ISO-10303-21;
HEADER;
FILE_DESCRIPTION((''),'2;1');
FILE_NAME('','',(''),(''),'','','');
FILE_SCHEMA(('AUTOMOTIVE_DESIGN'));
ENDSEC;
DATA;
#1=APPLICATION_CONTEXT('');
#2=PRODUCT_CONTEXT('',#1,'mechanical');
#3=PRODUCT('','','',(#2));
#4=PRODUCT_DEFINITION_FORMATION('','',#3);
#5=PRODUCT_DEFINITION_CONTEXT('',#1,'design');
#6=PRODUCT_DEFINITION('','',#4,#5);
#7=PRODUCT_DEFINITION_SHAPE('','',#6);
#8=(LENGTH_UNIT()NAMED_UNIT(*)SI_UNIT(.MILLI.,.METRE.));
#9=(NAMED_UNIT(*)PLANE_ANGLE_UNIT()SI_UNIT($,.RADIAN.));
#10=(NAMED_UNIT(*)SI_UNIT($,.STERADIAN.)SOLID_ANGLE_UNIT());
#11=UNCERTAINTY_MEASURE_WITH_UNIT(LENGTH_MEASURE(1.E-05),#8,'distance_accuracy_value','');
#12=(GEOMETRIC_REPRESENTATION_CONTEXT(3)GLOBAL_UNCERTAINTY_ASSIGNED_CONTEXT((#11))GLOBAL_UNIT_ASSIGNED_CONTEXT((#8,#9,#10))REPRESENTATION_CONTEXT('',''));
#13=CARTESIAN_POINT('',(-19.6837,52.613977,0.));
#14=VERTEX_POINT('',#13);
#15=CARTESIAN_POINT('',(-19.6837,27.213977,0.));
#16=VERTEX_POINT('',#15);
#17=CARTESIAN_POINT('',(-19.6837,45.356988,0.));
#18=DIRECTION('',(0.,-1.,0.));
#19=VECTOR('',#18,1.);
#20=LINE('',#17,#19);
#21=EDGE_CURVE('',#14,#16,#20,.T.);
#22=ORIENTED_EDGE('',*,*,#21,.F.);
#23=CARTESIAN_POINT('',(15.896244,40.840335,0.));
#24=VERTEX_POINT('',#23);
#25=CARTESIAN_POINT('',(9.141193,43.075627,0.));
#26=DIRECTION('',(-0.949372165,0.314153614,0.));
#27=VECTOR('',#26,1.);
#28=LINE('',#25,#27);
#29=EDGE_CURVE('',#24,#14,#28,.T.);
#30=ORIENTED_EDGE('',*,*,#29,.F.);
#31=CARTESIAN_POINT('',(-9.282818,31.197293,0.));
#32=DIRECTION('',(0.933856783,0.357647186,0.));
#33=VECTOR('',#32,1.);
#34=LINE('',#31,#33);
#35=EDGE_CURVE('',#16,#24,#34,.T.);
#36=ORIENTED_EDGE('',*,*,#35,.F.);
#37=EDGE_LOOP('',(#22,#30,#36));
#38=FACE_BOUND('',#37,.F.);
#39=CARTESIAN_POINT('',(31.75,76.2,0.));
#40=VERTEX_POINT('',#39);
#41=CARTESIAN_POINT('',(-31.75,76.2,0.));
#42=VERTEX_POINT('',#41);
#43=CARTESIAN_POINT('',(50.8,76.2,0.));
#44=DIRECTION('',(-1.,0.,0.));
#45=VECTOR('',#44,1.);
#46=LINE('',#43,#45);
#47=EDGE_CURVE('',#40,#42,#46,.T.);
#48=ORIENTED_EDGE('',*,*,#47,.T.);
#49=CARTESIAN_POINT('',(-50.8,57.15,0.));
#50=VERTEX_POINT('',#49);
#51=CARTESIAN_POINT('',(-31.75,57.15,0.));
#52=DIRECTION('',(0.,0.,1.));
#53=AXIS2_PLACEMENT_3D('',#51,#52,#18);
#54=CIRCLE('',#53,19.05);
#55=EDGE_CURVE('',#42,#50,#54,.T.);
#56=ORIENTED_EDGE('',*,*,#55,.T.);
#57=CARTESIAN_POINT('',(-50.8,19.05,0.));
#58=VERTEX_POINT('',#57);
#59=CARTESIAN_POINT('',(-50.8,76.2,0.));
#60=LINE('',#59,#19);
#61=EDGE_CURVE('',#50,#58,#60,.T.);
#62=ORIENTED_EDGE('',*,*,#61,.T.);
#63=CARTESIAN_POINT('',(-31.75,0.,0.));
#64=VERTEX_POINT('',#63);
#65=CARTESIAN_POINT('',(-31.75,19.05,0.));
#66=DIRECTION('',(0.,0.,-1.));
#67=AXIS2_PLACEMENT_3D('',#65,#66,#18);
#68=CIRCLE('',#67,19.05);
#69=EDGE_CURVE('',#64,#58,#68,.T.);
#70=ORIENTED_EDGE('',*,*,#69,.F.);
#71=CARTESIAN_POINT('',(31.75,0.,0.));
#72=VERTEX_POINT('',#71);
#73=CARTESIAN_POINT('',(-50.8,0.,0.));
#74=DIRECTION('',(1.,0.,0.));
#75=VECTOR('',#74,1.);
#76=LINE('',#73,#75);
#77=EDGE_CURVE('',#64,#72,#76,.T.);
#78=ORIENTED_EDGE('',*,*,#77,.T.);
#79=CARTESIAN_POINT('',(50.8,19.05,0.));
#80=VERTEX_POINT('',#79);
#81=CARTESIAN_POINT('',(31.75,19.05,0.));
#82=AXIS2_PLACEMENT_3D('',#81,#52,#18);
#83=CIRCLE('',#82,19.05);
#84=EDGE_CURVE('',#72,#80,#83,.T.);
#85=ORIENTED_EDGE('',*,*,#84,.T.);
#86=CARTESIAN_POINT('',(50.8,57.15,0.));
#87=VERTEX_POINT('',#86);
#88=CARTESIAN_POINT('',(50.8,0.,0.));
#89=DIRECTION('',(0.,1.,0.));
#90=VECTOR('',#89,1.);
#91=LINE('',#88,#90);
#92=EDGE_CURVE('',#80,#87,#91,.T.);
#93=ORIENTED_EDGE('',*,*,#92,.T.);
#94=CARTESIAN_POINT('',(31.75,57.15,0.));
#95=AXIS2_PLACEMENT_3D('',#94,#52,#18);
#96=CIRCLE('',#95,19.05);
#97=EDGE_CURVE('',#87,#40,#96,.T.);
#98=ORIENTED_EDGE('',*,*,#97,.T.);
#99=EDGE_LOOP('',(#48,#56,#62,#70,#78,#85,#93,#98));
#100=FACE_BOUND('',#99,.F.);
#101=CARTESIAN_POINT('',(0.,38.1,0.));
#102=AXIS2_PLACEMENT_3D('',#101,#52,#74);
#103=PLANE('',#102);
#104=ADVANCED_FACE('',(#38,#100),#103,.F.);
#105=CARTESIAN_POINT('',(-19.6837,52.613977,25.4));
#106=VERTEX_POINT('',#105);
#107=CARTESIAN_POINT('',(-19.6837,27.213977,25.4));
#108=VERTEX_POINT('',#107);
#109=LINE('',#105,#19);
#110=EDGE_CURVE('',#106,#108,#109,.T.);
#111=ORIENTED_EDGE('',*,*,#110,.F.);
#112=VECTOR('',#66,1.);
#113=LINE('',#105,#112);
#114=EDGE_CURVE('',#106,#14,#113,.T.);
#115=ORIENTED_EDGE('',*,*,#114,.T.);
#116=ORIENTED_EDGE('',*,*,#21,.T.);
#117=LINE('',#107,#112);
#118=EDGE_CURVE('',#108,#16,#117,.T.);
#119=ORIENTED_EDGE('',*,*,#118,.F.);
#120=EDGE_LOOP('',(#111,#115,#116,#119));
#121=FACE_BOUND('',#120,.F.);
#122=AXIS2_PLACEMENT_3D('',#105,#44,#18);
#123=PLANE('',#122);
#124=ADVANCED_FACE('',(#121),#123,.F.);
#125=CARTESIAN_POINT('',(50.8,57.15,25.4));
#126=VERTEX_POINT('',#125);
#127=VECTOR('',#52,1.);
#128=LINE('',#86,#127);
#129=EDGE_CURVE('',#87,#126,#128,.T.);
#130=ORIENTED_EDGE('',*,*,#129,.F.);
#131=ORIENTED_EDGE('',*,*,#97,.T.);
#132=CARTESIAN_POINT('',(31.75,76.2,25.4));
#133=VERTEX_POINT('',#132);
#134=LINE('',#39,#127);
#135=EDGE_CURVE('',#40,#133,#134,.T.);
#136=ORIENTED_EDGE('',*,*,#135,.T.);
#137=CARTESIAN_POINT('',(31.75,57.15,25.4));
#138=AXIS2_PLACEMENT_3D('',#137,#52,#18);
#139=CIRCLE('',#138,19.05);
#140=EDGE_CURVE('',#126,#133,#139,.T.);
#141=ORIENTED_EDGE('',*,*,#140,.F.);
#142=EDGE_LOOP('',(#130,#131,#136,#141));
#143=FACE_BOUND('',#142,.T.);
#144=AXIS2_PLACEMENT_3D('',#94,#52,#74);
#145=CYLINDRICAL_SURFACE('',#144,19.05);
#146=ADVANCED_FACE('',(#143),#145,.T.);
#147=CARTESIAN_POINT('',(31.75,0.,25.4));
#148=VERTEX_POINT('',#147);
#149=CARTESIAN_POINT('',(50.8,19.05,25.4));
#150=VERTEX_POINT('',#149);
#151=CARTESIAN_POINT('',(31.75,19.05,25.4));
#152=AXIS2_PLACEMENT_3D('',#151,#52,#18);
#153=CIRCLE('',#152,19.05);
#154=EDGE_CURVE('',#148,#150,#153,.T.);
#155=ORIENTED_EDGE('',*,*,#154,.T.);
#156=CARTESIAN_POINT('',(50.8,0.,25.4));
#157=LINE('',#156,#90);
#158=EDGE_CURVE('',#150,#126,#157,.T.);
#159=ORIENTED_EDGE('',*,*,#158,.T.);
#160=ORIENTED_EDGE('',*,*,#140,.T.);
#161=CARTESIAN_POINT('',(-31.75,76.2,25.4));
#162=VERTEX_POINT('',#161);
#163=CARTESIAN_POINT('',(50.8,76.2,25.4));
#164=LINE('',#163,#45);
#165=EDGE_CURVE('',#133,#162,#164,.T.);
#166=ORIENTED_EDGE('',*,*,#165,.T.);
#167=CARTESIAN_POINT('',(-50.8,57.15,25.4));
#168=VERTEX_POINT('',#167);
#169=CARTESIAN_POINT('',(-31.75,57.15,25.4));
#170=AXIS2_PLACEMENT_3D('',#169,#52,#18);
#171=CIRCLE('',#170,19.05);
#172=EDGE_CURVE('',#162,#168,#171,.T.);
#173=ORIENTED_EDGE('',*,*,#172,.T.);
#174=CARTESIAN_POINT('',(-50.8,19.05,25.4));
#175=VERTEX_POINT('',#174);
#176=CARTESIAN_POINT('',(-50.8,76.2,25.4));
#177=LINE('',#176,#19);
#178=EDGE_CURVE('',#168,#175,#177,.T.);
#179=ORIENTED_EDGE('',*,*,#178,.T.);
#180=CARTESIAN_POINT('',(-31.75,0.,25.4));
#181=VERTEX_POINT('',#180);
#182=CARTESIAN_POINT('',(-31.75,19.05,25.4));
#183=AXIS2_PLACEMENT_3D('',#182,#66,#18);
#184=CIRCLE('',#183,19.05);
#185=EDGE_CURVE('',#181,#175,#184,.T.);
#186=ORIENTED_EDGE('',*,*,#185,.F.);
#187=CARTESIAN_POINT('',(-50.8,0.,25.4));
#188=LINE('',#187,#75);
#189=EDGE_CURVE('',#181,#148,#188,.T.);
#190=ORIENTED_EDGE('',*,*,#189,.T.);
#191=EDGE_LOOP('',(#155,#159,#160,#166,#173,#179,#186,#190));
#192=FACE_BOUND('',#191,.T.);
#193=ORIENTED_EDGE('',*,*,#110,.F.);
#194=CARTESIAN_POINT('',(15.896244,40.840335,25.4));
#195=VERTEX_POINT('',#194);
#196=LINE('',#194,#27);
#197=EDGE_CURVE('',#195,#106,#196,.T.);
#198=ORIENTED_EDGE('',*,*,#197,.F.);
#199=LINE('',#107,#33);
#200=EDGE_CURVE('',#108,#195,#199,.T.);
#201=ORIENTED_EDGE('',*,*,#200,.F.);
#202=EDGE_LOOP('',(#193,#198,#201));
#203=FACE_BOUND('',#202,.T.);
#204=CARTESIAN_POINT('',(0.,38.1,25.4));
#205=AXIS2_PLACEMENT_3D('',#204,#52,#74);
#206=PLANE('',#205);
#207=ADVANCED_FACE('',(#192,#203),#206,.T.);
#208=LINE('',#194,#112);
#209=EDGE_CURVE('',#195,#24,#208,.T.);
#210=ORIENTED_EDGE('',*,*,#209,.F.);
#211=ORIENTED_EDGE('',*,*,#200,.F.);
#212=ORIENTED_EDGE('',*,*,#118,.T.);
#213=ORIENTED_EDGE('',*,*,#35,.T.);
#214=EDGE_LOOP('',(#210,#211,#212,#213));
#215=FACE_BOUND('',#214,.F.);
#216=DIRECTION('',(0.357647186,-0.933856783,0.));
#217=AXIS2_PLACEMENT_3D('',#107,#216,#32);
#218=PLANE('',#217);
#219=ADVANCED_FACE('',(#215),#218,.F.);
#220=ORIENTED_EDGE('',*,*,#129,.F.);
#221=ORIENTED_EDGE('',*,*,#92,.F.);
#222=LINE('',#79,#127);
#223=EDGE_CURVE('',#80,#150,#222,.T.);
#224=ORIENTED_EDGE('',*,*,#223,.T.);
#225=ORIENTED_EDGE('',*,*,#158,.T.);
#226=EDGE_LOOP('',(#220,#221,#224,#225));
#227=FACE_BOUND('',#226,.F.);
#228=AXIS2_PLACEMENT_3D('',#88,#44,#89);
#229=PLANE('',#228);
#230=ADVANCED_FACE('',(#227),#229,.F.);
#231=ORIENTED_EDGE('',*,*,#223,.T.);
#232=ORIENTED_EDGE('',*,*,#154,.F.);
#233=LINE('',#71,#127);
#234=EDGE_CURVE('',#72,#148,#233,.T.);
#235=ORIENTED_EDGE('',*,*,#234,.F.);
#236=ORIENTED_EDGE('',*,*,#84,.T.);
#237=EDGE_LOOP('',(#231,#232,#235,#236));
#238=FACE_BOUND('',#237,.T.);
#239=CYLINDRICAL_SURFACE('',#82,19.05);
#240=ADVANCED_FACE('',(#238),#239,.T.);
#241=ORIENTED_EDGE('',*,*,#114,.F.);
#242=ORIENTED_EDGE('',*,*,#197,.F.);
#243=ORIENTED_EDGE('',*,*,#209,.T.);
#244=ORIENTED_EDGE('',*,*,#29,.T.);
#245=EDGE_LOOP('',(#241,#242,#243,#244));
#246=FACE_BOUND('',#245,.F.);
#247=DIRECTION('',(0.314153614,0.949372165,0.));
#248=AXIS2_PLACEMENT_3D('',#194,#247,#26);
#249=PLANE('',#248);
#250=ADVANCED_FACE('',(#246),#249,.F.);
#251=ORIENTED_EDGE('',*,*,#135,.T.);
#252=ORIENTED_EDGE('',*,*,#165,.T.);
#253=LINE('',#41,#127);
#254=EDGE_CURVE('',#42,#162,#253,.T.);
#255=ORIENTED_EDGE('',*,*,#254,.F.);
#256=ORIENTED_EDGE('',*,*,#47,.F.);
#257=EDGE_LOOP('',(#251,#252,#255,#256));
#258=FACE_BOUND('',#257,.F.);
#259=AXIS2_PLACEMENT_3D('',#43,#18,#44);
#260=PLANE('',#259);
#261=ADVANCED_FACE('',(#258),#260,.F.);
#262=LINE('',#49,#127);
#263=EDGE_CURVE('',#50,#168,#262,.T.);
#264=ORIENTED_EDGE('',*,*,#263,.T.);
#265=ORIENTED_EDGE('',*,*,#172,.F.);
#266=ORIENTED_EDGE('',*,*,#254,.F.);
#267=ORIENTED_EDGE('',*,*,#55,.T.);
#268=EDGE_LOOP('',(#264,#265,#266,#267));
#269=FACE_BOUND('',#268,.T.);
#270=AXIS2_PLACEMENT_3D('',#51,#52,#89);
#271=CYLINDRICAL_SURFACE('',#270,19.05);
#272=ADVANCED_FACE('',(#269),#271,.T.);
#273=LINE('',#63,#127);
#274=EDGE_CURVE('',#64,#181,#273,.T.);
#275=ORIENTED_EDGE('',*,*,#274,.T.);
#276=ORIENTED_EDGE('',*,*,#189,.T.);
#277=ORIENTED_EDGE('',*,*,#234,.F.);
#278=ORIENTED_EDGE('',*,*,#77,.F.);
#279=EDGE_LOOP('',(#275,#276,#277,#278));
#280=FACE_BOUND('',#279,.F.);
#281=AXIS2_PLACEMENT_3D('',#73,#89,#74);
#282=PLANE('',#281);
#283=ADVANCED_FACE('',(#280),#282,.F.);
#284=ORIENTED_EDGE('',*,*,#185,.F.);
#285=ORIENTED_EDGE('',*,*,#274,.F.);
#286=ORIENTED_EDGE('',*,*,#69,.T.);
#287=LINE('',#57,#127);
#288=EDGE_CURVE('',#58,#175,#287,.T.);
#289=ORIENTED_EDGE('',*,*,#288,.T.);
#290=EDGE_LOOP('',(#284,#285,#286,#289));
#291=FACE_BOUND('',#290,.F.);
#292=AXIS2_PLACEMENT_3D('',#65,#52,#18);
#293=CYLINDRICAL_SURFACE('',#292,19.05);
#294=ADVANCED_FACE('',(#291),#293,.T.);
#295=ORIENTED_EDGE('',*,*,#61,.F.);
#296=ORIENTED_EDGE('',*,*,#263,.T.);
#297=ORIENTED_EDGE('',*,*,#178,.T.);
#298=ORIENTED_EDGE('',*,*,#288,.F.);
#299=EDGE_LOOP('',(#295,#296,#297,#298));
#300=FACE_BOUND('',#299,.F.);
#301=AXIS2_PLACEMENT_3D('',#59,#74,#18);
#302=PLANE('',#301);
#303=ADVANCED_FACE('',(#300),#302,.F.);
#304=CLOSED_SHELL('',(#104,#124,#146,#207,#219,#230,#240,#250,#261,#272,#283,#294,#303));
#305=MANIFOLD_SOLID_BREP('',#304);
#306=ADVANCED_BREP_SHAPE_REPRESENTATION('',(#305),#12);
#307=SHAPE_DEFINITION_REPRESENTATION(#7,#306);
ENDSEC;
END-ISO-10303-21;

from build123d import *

# Parameters (mm, degrees)
F1_DEPTH = 25.4
F2_R     = 19.05
F4_DEPTH = 254


with BuildPart() as f1:
    # F0 (on Top) → F1 (new body)
    with BuildSketch(Plane.XY):
        Polygon((-50.8, 0), (0, 0), (50.8, 0), (50.8, 76.2), (-50.8, 76.2), align=None)
    extrude(amount=F1_DEPTH)

    # F2
    f2_edges = [f1.edges().sort_by_distance(p)[0] for p in [
        (-50.8, 0, 12.7),
        (50.8, 0, 12.7),
        (-50.8, 76.2, 12.7),
        (50.8, 76.2, 12.7),
    ]]
    fillet(f2_edges, radius=F2_R)

    # F3 (on face) → F4 (cut)
    with BuildSketch(Plane.XY.offset(25.4)):
        Polygon((-19.6837, 52.613977), (-19.6837, 27.213977), (15.896244, 40.840335), align=None)
    extrude(amount=-F4_DEPTH, mode=Mode.SUBTRACT)


solid = f1.part
